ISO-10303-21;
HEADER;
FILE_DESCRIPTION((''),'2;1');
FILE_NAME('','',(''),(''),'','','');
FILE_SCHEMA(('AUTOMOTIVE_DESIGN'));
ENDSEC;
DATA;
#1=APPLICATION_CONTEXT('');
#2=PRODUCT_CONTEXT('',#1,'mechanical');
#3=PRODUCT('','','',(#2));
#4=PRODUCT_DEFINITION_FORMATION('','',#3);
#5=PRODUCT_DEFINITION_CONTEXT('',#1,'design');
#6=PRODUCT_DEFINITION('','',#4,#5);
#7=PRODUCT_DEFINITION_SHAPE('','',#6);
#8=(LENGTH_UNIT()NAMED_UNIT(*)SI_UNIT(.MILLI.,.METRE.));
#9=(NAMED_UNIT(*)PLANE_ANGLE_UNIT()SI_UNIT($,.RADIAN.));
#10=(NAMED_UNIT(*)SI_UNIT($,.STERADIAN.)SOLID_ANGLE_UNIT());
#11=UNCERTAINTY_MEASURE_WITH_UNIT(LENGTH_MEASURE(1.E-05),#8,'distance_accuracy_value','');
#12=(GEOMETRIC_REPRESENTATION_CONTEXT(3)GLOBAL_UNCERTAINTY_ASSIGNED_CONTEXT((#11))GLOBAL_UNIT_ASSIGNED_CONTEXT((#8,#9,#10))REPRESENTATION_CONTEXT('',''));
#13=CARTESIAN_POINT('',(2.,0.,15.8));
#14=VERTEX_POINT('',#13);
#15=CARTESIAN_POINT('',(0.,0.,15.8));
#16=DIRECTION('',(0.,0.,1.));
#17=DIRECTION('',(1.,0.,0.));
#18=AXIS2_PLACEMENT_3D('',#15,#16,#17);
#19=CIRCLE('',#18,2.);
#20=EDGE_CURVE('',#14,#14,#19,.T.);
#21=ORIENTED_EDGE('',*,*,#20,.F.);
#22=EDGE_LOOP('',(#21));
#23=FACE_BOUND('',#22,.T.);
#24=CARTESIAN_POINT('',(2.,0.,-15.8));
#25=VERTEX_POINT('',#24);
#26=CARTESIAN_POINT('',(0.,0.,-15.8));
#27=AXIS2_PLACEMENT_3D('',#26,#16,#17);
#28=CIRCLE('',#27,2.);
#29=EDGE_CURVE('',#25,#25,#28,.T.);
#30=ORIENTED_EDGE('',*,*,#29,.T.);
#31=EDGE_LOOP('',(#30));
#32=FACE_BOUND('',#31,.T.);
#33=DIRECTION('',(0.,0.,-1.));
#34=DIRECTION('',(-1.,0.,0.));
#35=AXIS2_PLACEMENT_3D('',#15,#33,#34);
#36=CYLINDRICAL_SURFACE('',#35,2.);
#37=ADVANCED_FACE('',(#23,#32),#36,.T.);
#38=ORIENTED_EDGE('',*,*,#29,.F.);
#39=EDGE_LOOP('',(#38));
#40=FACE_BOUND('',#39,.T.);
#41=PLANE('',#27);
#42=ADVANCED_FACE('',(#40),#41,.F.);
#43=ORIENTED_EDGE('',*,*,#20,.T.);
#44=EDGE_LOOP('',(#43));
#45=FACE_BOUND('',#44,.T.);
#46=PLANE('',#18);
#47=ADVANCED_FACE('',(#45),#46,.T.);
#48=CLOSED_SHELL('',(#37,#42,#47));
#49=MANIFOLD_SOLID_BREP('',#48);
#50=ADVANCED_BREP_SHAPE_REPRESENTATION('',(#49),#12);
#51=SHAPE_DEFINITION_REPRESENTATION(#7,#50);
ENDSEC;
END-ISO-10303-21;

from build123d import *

# Parameters (mm, degrees)
SKETCH1_R           = 2
BOSS_EXTRUDE1_DEPTH = 15.8


with BuildPart() as part:
    # Sketch1 → Boss-Extrude1 (new body, symmetric)
    with BuildSketch(Plane.XY):
        Circle(SKETCH1_R)
    extrude(amount=BOSS_EXTRUDE1_DEPTH, both=True)


solid = part.part
